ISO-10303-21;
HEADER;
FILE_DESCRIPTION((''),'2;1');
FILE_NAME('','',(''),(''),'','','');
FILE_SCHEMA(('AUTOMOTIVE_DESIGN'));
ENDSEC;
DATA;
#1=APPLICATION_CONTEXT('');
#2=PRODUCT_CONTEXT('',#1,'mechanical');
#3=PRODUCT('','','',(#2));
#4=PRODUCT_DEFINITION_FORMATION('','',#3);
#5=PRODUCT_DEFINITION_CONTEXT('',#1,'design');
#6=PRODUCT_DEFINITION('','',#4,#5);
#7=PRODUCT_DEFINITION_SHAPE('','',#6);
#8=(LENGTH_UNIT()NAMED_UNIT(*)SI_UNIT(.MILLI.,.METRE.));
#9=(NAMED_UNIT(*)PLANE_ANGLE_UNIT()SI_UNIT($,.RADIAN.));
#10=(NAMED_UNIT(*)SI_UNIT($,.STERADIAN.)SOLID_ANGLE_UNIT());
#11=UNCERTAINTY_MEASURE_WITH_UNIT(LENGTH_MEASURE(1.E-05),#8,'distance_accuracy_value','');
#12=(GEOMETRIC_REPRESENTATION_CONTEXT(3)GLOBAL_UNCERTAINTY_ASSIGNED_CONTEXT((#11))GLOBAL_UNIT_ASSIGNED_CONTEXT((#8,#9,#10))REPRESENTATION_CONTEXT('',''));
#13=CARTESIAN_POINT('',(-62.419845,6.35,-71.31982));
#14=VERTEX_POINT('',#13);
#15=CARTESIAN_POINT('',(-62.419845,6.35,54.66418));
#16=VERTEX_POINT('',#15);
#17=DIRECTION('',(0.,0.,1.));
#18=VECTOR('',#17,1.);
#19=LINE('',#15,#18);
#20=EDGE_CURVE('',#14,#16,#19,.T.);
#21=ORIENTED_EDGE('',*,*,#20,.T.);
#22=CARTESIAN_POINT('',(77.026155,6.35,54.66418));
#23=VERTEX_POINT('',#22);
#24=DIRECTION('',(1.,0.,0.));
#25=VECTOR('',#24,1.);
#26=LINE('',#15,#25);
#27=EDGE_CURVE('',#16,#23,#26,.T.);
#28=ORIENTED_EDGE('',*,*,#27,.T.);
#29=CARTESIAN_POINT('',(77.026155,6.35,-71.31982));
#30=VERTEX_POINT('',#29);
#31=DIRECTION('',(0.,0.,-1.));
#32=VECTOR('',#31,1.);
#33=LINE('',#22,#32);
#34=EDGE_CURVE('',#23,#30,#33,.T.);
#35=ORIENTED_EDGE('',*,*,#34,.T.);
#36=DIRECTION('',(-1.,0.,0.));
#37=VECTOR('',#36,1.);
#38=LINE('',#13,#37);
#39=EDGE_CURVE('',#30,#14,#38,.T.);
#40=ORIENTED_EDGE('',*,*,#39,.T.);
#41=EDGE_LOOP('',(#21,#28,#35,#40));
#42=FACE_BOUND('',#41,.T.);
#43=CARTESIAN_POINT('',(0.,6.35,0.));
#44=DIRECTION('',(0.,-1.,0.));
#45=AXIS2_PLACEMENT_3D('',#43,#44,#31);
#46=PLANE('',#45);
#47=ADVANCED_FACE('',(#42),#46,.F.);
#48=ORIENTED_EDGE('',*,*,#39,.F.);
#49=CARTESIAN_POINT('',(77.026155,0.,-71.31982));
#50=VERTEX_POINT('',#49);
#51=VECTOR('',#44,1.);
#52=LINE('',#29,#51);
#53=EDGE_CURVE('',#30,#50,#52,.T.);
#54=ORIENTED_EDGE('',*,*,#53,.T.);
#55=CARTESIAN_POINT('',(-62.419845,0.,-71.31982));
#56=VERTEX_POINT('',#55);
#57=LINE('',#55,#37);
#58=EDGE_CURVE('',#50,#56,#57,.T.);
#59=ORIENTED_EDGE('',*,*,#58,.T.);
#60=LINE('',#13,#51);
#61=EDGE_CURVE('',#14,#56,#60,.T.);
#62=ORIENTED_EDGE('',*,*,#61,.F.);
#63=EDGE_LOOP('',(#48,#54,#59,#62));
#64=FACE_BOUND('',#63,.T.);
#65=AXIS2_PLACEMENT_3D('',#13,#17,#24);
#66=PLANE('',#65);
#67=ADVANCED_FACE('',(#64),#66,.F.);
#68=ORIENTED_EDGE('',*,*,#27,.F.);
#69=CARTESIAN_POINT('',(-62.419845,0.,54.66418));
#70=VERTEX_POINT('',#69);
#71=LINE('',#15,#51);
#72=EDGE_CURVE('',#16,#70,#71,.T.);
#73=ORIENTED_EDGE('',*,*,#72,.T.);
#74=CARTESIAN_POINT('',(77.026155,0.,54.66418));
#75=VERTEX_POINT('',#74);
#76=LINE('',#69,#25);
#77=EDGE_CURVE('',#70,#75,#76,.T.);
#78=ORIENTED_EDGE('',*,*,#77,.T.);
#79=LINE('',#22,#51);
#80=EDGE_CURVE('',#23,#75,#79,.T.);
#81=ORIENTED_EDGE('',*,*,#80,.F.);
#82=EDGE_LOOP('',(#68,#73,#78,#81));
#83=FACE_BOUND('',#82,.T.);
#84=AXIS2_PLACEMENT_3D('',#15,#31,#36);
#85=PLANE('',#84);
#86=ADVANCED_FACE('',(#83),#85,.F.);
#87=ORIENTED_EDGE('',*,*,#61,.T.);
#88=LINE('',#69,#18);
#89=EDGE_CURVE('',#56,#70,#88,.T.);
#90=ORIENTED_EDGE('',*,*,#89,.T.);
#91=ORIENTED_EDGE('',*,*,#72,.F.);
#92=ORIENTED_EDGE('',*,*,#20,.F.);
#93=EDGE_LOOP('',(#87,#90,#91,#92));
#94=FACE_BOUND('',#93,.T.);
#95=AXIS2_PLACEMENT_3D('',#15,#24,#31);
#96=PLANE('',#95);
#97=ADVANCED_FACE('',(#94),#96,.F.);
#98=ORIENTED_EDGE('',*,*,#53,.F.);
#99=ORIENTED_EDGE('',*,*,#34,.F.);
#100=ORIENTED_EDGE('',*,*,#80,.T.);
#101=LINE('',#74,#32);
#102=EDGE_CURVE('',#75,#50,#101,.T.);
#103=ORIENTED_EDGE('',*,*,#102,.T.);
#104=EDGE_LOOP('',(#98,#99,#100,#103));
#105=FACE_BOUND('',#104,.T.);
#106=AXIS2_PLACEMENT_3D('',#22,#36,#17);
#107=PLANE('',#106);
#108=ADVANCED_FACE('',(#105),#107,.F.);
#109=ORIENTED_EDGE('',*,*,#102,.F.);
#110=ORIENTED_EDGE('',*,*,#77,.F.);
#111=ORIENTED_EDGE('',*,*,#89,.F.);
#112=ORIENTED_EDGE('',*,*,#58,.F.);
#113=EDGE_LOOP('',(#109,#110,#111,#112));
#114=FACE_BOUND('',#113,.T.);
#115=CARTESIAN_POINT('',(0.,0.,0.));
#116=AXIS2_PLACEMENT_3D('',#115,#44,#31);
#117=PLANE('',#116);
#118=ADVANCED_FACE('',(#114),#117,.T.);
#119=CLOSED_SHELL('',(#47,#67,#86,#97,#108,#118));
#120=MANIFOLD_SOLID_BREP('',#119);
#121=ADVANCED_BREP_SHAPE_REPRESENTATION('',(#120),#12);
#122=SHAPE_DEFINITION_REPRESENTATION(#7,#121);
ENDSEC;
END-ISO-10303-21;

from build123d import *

# Parameters (mm, degrees)
SKETCH1_W           = 139.446
SKETCH1_H           = 125.984
BOSS_EXTRUDE1_DEPTH = 6.35


with BuildPart() as part:
    # Sketch1 → Boss-Extrude1 (new body)
    with BuildSketch(Plane(origin=(0, 0, 0), x_dir=(1, 0, 0), z_dir=(0, 1, 0))):
        with Locations((7.303154507, 8.327820245)):
            Rectangle(SKETCH1_W, SKETCH1_H)
    extrude(amount=BOSS_EXTRUDE1_DEPTH)


solid = part.part
